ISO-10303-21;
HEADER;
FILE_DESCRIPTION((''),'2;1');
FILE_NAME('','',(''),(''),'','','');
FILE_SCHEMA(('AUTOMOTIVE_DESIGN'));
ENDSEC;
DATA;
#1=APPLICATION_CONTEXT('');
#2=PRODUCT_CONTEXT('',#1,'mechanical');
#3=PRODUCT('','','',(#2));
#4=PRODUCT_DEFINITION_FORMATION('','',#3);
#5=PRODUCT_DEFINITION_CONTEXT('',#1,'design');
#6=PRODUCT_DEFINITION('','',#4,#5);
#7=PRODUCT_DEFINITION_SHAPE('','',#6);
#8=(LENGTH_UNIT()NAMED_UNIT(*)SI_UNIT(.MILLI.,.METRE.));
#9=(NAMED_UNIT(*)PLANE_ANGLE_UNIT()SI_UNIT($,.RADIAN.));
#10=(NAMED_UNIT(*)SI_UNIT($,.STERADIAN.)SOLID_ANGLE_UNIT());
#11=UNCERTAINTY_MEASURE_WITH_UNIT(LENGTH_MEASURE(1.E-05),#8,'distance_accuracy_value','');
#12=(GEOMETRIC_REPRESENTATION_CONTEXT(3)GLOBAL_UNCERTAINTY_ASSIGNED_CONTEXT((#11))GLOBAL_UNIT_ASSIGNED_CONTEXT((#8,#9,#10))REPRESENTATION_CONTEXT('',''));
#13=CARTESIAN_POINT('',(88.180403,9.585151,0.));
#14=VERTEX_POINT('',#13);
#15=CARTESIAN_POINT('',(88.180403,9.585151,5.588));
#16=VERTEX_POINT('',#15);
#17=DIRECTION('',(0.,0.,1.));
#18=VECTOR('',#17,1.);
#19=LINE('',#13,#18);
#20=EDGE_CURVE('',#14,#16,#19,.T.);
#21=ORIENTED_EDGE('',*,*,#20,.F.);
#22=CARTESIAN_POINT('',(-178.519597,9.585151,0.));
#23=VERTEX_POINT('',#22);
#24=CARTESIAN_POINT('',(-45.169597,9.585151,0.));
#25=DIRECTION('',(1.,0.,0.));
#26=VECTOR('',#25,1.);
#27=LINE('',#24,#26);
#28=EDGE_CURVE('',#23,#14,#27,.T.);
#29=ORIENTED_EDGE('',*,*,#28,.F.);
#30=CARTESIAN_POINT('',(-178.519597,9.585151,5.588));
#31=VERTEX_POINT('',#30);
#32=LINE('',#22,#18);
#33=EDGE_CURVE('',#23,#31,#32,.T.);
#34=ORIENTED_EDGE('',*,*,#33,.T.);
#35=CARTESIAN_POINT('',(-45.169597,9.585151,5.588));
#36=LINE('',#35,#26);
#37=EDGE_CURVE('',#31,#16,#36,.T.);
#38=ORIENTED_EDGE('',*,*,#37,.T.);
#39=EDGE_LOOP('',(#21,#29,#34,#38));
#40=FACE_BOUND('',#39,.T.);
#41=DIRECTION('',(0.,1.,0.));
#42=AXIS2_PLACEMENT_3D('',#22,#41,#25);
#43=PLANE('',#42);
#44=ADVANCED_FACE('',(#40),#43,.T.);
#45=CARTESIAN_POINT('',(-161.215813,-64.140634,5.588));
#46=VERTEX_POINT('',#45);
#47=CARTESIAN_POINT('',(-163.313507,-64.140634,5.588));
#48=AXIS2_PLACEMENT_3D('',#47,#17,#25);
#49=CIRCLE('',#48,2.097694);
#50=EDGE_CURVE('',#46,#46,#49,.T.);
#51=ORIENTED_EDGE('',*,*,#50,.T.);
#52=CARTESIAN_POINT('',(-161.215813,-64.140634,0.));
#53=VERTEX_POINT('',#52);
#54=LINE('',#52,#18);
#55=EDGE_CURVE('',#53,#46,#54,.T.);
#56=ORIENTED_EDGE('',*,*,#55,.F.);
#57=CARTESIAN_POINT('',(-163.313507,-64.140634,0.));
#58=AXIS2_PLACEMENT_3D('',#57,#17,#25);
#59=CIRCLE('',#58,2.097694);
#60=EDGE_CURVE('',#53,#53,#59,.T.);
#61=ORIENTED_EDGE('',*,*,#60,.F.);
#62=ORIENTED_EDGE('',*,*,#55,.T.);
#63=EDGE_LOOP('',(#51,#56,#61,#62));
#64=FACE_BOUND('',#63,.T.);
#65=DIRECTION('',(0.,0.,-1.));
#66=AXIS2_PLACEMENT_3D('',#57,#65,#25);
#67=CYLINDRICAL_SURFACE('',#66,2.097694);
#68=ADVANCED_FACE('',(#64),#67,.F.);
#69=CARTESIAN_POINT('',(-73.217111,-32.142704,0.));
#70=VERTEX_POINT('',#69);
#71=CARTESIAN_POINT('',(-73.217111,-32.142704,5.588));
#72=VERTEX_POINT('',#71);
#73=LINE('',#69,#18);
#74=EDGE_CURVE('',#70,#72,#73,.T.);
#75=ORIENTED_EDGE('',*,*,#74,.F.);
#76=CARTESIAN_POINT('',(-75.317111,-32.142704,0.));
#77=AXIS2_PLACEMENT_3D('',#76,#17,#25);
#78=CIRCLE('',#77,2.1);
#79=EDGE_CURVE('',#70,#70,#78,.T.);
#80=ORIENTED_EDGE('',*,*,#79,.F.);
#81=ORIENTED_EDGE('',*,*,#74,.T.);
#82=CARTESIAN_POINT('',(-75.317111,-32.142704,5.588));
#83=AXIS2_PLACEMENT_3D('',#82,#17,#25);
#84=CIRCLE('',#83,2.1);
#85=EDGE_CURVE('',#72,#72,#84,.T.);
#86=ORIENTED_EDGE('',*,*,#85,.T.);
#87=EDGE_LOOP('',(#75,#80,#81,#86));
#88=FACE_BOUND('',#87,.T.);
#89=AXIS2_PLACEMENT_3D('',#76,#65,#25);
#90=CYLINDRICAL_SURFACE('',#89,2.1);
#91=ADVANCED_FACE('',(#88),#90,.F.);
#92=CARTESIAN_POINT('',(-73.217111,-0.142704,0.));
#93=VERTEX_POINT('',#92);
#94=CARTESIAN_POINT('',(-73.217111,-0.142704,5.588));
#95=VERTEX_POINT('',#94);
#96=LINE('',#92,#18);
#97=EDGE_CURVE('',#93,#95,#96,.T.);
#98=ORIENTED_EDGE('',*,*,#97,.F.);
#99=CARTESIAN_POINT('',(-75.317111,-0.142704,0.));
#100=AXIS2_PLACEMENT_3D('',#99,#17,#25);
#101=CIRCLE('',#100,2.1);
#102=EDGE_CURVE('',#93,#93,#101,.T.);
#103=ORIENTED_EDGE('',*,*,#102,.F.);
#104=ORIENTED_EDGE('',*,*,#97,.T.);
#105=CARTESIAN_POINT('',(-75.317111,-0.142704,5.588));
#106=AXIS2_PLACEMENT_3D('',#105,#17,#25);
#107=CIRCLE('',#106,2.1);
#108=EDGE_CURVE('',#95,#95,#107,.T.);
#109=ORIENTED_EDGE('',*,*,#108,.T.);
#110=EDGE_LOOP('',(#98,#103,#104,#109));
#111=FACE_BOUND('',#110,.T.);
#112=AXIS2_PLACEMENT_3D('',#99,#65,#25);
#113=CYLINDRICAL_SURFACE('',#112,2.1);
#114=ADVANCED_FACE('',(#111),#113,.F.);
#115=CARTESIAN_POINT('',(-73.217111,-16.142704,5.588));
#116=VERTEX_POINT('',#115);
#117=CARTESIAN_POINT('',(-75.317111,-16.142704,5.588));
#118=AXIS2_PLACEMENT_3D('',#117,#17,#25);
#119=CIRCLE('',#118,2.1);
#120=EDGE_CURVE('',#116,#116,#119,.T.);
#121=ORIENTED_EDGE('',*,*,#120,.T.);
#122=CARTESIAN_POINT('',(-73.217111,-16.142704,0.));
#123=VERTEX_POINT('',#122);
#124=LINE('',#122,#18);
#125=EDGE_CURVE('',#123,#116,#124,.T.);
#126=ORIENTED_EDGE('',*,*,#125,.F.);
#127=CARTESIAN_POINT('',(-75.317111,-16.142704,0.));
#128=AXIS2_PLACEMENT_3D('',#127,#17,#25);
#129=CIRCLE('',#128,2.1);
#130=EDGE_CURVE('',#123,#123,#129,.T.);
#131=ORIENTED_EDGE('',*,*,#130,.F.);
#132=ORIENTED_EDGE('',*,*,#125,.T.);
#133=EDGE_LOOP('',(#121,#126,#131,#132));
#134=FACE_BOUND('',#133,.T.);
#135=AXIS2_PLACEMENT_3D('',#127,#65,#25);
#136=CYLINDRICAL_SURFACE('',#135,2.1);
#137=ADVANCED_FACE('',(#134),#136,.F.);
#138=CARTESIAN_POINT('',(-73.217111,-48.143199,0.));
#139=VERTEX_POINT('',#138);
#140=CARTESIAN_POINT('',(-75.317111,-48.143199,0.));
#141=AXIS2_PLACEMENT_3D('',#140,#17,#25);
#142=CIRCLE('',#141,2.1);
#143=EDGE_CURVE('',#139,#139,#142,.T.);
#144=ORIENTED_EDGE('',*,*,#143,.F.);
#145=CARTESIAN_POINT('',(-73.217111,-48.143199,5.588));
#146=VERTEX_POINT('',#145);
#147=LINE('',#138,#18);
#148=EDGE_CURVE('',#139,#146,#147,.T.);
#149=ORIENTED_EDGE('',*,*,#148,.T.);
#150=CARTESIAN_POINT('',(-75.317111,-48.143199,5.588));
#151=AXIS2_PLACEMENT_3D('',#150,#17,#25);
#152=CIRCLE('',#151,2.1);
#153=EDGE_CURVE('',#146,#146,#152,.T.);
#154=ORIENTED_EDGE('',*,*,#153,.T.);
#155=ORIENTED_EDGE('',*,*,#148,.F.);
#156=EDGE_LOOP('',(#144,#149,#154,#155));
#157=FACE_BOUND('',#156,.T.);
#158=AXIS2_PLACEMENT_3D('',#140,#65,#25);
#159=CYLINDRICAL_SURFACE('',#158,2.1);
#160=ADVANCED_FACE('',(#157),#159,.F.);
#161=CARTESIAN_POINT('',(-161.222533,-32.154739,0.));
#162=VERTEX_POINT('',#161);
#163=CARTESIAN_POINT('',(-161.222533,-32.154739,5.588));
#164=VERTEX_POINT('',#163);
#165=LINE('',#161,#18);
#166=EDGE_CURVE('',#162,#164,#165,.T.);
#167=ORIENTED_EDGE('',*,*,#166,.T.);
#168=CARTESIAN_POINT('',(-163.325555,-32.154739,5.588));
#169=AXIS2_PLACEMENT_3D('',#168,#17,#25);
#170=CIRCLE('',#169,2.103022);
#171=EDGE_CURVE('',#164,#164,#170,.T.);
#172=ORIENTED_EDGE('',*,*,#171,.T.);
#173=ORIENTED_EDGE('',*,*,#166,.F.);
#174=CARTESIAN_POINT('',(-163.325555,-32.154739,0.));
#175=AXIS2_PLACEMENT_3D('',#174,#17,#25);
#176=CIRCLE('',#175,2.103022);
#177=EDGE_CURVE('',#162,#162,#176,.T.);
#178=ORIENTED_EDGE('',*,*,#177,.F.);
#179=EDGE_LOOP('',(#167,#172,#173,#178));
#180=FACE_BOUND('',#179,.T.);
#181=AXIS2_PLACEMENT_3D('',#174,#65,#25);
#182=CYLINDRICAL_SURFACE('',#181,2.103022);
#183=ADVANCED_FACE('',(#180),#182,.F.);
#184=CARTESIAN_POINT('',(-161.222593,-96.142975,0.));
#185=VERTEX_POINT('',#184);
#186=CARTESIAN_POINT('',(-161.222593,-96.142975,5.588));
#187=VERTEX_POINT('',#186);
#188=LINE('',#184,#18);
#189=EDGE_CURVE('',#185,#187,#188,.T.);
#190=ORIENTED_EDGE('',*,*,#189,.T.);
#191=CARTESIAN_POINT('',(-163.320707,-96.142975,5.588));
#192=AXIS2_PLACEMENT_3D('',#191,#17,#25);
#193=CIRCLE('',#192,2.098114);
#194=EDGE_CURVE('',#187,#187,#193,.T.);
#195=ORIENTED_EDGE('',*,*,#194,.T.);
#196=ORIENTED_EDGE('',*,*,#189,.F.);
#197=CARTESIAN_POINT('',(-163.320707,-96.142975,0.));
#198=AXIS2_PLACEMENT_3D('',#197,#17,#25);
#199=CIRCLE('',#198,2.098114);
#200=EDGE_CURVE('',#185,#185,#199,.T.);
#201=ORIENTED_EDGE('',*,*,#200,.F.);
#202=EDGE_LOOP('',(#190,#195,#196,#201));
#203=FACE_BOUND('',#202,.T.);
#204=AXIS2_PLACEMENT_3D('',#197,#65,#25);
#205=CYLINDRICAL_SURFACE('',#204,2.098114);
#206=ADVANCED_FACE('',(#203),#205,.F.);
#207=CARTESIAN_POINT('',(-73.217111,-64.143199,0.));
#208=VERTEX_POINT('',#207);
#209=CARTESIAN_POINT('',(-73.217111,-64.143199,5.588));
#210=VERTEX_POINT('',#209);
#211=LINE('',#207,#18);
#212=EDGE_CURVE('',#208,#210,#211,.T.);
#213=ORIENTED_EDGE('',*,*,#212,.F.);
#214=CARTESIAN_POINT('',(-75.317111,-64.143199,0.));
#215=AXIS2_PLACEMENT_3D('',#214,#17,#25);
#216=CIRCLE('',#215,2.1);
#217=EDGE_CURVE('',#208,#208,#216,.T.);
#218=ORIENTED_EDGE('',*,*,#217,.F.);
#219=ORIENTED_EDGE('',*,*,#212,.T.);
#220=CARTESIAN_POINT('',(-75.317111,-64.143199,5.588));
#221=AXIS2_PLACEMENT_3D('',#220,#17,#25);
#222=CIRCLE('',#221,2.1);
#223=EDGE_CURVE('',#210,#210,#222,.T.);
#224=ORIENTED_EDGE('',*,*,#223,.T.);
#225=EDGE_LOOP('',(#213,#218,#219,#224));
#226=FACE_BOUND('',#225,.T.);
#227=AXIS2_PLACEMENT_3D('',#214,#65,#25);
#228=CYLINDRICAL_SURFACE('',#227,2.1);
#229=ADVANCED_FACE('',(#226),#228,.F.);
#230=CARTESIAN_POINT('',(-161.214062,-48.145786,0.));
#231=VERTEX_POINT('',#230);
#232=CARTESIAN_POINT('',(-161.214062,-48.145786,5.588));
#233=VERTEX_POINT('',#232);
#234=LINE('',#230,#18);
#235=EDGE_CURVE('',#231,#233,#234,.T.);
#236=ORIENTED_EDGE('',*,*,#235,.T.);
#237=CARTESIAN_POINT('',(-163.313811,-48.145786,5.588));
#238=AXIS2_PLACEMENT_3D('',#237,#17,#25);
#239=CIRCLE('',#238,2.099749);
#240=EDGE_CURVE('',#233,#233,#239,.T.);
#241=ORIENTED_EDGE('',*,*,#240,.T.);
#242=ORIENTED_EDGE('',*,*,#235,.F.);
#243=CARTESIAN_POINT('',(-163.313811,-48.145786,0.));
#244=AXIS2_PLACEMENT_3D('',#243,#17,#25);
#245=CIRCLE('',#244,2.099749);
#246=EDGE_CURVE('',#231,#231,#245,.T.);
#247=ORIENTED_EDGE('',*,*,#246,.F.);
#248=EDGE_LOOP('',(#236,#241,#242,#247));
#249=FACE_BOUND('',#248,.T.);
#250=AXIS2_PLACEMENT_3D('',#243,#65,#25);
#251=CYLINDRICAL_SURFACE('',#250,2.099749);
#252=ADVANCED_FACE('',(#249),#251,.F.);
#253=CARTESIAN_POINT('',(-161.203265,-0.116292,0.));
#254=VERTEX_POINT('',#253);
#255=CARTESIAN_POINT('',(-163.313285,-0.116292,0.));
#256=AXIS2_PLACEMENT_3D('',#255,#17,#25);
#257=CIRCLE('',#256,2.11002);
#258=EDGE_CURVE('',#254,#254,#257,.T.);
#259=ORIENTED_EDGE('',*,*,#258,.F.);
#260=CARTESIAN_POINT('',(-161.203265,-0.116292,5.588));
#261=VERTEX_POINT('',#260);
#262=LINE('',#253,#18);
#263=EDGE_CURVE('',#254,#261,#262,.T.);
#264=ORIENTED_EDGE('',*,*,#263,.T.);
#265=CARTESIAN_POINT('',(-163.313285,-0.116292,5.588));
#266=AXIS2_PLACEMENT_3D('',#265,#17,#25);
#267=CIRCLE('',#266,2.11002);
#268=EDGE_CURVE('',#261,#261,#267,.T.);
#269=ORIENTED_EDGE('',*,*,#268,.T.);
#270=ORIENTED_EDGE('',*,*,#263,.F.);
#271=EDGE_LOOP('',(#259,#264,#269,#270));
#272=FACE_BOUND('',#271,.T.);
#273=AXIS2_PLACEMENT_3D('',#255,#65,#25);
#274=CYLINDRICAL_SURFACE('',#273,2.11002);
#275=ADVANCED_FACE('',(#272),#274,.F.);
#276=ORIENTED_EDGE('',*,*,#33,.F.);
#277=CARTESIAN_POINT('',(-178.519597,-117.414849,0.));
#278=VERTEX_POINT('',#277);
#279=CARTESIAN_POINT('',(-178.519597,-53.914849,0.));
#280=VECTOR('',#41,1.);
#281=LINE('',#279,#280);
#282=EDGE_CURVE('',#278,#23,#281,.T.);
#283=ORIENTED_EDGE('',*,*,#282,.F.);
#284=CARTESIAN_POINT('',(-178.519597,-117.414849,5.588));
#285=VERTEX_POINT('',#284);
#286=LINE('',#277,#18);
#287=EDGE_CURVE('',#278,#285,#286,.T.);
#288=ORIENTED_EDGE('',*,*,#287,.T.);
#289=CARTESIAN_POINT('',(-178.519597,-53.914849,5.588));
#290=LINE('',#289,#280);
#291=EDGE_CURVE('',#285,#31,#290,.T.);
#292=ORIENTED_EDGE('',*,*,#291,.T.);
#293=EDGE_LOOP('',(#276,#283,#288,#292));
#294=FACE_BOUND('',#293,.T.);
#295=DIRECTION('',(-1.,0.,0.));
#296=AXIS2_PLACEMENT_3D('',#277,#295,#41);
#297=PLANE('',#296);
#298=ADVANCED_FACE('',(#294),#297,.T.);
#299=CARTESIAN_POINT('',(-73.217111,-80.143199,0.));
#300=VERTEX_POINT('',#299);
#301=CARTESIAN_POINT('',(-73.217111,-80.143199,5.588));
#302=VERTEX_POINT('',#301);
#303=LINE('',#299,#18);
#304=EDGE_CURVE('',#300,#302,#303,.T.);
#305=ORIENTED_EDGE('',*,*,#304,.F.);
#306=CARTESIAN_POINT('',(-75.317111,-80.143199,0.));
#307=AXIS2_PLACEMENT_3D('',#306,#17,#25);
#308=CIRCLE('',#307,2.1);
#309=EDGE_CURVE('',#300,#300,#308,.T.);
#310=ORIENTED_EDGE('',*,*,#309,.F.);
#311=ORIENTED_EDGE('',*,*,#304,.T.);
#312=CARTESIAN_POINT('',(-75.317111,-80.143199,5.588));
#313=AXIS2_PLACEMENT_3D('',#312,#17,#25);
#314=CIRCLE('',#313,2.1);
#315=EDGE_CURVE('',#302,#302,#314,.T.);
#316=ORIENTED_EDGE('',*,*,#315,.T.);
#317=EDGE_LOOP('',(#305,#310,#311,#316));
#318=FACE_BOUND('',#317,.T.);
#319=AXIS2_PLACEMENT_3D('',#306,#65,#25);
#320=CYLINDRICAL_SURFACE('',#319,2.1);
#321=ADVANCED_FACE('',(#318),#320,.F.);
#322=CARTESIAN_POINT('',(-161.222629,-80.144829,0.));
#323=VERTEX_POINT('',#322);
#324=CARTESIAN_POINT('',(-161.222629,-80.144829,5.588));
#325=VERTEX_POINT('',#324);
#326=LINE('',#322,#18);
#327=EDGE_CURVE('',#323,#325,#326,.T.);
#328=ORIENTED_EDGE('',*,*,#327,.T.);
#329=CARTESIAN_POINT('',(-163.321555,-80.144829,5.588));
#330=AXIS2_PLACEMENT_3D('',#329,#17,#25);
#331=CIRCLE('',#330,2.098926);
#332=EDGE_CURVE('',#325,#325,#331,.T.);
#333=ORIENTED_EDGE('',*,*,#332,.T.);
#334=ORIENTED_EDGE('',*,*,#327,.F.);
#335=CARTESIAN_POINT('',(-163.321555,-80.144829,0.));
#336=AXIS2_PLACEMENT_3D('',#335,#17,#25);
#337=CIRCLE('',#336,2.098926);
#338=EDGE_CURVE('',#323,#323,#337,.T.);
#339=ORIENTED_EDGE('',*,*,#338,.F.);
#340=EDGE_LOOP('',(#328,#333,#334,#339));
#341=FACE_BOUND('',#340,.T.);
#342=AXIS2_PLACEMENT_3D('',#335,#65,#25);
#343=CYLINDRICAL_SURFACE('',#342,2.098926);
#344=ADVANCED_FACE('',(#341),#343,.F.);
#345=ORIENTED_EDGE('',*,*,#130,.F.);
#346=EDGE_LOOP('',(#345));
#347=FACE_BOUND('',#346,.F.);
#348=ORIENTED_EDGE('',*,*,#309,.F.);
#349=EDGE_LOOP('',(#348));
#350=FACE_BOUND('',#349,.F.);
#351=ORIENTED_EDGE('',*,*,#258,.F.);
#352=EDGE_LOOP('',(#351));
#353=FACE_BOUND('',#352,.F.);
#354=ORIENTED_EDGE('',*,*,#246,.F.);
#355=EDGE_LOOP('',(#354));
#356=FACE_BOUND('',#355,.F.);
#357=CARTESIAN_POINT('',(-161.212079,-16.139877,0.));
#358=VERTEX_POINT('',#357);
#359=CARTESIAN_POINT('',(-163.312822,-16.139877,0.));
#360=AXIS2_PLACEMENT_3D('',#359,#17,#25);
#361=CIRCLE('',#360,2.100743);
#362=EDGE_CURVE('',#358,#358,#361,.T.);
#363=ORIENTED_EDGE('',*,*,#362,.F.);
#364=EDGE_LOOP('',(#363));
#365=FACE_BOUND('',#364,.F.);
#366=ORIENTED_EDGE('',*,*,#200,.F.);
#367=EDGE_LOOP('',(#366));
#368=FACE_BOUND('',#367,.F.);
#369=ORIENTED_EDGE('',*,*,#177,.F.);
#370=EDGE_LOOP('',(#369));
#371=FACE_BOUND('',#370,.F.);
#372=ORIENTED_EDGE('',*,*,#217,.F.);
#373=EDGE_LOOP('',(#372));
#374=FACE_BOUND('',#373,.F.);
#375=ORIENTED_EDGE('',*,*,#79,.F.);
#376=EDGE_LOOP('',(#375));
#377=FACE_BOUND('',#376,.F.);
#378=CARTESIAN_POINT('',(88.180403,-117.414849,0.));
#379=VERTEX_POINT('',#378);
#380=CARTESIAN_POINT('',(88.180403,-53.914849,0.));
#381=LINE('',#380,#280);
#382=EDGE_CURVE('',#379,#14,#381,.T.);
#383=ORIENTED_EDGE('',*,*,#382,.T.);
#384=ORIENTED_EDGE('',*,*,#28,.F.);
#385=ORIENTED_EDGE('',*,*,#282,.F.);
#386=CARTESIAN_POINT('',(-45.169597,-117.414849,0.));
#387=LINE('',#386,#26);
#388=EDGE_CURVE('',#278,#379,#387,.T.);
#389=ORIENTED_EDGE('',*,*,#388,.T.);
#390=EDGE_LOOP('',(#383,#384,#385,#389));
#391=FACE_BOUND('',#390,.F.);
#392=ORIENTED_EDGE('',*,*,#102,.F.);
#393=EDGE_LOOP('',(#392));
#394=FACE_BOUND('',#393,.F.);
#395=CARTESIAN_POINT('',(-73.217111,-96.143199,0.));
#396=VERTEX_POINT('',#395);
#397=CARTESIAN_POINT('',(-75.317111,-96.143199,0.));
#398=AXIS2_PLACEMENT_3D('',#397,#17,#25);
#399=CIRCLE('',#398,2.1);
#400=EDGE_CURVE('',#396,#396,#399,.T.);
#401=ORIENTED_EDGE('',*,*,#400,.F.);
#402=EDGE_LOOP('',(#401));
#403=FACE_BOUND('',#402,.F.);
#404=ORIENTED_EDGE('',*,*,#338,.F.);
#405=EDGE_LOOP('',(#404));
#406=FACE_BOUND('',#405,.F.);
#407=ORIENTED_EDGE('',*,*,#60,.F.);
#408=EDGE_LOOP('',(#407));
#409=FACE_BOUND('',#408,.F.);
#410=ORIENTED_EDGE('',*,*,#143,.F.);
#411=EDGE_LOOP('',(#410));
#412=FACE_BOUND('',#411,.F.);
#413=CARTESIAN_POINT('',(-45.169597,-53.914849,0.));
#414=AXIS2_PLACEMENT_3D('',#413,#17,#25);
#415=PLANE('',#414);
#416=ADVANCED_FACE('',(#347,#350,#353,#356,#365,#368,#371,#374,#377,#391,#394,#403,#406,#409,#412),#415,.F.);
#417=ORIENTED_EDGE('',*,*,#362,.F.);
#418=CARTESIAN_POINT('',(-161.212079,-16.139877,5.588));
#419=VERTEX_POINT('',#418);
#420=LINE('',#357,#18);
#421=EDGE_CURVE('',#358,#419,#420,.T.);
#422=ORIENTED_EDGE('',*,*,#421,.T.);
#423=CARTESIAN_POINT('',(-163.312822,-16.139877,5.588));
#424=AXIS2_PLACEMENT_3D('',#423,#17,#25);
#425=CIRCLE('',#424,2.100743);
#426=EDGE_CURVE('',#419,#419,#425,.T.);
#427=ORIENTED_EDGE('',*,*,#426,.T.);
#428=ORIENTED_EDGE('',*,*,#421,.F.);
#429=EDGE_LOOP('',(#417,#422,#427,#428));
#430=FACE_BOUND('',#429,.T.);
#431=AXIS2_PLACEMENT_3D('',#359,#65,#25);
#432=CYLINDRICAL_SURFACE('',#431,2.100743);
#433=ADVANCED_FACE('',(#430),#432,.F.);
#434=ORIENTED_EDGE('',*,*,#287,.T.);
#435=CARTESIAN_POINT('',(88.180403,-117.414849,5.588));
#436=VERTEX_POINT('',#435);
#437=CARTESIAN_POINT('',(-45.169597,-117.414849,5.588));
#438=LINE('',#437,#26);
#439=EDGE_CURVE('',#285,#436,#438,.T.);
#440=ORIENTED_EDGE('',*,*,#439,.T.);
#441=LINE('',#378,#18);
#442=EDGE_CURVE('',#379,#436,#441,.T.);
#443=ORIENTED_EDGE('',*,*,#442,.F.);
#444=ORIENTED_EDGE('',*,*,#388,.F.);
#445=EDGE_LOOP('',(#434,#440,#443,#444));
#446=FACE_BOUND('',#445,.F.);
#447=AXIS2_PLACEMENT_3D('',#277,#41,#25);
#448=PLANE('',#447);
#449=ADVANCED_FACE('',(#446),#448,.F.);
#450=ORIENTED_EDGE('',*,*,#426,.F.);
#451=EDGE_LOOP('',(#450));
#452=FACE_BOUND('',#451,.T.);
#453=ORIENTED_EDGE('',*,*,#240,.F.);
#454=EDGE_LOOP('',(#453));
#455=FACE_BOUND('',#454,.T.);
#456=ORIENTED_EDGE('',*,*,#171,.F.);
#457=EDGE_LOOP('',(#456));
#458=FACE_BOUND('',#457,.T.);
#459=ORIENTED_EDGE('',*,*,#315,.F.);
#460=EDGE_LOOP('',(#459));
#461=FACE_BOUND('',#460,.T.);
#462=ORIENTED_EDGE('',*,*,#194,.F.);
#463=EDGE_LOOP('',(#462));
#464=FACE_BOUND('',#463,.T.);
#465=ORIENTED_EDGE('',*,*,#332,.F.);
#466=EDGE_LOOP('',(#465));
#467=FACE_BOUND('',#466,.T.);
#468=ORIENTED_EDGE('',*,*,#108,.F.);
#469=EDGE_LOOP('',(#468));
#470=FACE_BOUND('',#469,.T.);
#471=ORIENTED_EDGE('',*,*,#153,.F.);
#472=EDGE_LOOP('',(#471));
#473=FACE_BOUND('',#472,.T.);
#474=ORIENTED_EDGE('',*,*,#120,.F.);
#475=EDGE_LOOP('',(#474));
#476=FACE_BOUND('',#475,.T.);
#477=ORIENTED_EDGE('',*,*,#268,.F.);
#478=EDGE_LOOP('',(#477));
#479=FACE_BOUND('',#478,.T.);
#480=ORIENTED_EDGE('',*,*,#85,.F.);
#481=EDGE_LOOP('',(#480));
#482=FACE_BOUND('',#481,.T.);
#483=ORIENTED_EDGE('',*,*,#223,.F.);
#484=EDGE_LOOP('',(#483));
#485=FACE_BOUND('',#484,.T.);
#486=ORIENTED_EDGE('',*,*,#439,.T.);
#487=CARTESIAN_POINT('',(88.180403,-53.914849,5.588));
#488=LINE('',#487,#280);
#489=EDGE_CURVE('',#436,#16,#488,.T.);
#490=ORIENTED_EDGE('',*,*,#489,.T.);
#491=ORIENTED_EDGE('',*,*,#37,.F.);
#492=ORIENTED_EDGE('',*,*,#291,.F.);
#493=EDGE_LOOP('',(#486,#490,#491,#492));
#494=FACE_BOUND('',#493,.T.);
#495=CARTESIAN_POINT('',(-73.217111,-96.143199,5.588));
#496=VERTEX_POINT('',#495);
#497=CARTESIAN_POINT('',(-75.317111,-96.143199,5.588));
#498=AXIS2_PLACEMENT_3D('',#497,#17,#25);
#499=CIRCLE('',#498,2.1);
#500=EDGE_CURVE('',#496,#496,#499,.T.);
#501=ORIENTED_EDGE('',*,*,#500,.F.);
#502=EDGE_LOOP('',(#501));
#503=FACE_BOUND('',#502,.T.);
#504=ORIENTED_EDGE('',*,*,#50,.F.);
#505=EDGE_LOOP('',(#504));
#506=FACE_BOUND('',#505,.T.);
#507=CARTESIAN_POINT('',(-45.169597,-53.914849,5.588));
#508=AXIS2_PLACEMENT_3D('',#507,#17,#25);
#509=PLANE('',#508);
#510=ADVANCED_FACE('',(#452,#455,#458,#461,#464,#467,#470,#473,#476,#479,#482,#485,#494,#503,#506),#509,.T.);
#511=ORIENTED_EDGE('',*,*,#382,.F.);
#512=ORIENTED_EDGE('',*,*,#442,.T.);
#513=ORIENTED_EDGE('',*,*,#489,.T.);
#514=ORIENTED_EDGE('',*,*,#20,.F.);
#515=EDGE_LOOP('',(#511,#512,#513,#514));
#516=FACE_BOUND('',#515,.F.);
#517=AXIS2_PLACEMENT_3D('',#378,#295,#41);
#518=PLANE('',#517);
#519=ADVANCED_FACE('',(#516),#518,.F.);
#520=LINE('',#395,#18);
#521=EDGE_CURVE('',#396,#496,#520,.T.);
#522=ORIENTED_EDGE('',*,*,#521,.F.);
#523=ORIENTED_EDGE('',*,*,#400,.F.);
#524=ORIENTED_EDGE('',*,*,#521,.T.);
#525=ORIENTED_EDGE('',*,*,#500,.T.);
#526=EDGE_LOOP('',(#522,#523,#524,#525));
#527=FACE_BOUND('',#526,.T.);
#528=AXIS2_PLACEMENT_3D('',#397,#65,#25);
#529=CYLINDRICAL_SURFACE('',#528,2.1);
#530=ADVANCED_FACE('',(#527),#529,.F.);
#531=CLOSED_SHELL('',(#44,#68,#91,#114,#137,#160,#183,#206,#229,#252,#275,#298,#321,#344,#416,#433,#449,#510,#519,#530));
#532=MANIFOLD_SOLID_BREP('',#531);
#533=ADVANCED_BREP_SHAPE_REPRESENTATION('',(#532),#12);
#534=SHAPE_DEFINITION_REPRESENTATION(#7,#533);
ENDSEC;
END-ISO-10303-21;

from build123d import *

# Parameters (mm, degrees)
F0_W     = 266.7
F0_H     = 127
F0_R     = 2.098114
F0_R_2   = 2.1
F0_R_3   = 2.098926
F0_R_4   = 2.097694
F0_R_5   = 2.099749
F0_R_6   = 2.103022
F0_R_7   = 2.100743
F0_R_8   = 2.11002
F1_DEPTH = 5.588


with BuildPart() as f1:
    # F0 (on Top) → F1 (new body)
    with BuildSketch(Plane.XY):
        with Locations((-45.169597, -53.914849)):
            Rectangle(F0_W, F0_H)
        with Locations((-163.320707, -96.142975)):
            Circle(F0_R, mode=Mode.SUBTRACT)
        with Locations((-75.317111, -96.143199)):
            Circle(F0_R_2, mode=Mode.SUBTRACT)
        with Locations((-163.321555, -80.144829)):
            Circle(F0_R_3, mode=Mode.SUBTRACT)
        with Locations((-163.313507, -64.140634)):
            Circle(F0_R_4, mode=Mode.SUBTRACT)
        with Locations((-75.317111, -80.143199)):
            Circle(F0_R_2, mode=Mode.SUBTRACT)
        with Locations((-75.317111, -64.143199)):
            Circle(F0_R_2, mode=Mode.SUBTRACT)
        with Locations((-163.313811, -48.145786)):
            Circle(F0_R_5, mode=Mode.SUBTRACT)
        with Locations((-163.325555, -32.154739)):
            Circle(F0_R_6, mode=Mode.SUBTRACT)
        with Locations((-75.317111, -48.143199)):
            Circle(F0_R_2, mode=Mode.SUBTRACT)
        with Locations((-75.317111, -32.142704)):
            Circle(F0_R_2, mode=Mode.SUBTRACT)
        with Locations((-163.312822, -16.139877)):
            Circle(F0_R_7, mode=Mode.SUBTRACT)
        with Locations((-163.313285, -0.116292)):
            Circle(F0_R_8, mode=Mode.SUBTRACT)
        with Locations((-75.317111, -16.142704)):
            Circle(F0_R_2, mode=Mode.SUBTRACT)
        with Locations((-75.317111, -0.142704)):
            Circle(F0_R_2, mode=Mode.SUBTRACT)
    extrude(amount=F1_DEPTH)


solid = f1.part
